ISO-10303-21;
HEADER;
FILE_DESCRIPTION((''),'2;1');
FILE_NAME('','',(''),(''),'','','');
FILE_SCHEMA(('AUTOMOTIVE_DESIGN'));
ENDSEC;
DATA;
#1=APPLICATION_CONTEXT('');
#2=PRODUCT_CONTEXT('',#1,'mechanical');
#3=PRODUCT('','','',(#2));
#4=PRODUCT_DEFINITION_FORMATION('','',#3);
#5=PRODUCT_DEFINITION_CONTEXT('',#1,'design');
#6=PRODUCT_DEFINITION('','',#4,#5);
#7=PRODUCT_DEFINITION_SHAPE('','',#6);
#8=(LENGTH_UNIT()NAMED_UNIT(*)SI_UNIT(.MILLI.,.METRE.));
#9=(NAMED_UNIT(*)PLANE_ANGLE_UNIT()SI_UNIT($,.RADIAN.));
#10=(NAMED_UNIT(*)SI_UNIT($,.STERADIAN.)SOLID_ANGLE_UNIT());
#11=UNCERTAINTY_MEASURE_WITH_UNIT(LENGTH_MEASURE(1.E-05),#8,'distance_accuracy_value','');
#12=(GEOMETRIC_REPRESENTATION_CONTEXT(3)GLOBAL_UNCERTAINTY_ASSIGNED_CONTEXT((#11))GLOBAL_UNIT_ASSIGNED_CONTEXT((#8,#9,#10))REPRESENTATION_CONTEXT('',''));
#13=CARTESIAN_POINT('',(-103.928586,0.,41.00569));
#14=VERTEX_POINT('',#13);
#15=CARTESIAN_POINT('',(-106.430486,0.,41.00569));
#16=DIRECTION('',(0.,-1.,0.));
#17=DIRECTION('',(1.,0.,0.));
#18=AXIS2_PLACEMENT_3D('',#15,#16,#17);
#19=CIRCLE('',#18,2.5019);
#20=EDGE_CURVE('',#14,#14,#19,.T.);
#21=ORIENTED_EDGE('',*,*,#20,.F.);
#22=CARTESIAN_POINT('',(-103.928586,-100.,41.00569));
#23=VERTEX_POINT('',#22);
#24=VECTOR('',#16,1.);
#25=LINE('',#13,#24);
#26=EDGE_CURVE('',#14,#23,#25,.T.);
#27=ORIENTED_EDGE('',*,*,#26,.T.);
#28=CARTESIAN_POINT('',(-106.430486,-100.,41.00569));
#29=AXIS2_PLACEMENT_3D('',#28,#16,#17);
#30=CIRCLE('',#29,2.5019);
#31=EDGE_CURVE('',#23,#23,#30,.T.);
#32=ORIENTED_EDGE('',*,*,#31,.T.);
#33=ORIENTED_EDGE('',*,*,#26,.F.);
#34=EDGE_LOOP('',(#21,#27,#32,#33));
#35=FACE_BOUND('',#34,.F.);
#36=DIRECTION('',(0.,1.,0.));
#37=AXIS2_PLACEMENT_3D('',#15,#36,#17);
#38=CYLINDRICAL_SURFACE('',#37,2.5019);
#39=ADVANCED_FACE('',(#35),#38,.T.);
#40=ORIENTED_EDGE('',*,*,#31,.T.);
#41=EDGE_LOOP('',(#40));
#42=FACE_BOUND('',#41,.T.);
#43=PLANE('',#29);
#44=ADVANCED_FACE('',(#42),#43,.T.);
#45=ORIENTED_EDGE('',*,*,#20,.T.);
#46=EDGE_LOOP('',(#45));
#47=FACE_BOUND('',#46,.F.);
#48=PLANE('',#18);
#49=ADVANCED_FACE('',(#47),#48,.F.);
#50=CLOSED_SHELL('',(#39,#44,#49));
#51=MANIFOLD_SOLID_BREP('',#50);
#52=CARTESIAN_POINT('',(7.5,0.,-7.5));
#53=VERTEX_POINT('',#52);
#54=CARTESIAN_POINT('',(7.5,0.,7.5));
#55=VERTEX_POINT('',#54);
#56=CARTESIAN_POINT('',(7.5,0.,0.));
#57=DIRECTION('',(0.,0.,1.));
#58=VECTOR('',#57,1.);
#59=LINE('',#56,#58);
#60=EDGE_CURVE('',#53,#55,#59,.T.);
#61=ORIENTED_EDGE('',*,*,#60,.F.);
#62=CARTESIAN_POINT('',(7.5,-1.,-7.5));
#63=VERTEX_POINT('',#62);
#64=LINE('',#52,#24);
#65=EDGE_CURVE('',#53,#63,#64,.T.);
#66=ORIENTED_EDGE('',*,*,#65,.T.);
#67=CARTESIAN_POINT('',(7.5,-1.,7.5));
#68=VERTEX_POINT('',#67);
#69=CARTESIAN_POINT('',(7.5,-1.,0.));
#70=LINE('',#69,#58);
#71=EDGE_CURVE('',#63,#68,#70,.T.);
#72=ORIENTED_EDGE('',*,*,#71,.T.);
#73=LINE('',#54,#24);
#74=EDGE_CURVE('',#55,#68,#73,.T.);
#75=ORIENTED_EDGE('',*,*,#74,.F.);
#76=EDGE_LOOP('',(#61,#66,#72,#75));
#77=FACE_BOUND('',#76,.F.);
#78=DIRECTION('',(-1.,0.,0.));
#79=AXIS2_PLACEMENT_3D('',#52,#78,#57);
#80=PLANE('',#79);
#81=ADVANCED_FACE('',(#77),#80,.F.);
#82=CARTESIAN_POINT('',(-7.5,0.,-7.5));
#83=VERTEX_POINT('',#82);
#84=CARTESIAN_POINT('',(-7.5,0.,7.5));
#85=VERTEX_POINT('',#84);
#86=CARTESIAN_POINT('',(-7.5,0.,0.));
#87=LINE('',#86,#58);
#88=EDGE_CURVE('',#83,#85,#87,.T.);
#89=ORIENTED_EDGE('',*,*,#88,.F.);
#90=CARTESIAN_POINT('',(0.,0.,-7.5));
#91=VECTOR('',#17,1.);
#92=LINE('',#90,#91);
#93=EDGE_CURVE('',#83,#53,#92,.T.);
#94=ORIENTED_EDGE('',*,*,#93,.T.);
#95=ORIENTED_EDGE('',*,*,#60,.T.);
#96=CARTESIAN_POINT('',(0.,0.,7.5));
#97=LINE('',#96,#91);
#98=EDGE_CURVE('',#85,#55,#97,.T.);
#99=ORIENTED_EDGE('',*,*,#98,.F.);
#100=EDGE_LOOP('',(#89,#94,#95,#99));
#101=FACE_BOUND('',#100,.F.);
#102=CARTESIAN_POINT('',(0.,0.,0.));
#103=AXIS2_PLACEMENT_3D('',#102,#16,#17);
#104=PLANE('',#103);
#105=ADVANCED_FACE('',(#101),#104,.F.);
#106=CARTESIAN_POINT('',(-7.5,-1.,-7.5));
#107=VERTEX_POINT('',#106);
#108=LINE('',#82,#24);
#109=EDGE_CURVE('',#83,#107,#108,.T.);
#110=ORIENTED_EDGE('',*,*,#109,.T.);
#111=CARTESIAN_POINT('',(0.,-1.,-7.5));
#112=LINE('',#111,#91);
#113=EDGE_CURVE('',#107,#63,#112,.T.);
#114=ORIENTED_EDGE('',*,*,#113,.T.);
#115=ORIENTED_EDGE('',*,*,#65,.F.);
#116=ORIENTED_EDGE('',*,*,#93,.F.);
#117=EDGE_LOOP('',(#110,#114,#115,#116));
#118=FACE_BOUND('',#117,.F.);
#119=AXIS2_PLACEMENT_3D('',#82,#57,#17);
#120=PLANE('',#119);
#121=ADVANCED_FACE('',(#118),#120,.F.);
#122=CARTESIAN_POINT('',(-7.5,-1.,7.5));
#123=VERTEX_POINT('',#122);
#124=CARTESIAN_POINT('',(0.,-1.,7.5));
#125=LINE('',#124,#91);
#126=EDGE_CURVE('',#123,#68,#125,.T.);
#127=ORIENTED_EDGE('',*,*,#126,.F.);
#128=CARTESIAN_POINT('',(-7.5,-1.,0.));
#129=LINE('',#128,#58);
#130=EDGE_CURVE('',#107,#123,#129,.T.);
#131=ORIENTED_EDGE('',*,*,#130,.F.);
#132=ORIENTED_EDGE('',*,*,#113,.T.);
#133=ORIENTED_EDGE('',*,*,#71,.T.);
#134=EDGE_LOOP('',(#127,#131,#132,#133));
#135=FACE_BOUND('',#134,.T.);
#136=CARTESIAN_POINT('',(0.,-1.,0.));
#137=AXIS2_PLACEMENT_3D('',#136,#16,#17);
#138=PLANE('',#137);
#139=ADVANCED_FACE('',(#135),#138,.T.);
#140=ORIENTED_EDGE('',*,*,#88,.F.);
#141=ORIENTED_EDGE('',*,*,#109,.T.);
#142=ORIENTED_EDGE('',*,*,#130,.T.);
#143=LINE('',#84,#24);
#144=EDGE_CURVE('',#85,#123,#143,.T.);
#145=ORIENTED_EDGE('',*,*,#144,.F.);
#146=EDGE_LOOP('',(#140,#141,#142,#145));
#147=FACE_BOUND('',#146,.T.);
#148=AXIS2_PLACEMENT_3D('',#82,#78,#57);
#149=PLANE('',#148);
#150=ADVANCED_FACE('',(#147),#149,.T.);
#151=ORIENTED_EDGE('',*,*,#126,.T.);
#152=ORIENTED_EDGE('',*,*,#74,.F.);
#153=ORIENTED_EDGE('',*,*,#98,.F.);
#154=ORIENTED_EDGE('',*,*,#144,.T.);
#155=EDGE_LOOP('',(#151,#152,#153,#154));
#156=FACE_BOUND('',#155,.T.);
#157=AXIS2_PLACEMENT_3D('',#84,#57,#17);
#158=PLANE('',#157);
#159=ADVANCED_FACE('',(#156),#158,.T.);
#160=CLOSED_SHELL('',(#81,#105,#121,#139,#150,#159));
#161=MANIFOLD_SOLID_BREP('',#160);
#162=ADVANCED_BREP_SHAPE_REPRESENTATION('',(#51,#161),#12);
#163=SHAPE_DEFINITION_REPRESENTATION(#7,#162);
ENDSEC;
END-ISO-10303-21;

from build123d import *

# Parameters (mm, degrees)
F0_W     = 15
F0_H     = 15
F1_DEPTH = 1
F2_R     = 2.5019
F3_DEPTH = 100


with BuildPart() as f1:
    # F0 (on Front) → F1 (new body)
    with BuildSketch(Plane.XZ):
        Rectangle(F0_W, F0_H)
    extrude(amount=F1_DEPTH)


with BuildPart() as f3:
    # F2 (on Front) → F3 (new body)
    with BuildSketch(Plane.XZ):
        with Locations((-106.430486, 41.00569)):
            Circle(F2_R)
    extrude(amount=F3_DEPTH)


solid = Compound([f1.part, f3.part])
